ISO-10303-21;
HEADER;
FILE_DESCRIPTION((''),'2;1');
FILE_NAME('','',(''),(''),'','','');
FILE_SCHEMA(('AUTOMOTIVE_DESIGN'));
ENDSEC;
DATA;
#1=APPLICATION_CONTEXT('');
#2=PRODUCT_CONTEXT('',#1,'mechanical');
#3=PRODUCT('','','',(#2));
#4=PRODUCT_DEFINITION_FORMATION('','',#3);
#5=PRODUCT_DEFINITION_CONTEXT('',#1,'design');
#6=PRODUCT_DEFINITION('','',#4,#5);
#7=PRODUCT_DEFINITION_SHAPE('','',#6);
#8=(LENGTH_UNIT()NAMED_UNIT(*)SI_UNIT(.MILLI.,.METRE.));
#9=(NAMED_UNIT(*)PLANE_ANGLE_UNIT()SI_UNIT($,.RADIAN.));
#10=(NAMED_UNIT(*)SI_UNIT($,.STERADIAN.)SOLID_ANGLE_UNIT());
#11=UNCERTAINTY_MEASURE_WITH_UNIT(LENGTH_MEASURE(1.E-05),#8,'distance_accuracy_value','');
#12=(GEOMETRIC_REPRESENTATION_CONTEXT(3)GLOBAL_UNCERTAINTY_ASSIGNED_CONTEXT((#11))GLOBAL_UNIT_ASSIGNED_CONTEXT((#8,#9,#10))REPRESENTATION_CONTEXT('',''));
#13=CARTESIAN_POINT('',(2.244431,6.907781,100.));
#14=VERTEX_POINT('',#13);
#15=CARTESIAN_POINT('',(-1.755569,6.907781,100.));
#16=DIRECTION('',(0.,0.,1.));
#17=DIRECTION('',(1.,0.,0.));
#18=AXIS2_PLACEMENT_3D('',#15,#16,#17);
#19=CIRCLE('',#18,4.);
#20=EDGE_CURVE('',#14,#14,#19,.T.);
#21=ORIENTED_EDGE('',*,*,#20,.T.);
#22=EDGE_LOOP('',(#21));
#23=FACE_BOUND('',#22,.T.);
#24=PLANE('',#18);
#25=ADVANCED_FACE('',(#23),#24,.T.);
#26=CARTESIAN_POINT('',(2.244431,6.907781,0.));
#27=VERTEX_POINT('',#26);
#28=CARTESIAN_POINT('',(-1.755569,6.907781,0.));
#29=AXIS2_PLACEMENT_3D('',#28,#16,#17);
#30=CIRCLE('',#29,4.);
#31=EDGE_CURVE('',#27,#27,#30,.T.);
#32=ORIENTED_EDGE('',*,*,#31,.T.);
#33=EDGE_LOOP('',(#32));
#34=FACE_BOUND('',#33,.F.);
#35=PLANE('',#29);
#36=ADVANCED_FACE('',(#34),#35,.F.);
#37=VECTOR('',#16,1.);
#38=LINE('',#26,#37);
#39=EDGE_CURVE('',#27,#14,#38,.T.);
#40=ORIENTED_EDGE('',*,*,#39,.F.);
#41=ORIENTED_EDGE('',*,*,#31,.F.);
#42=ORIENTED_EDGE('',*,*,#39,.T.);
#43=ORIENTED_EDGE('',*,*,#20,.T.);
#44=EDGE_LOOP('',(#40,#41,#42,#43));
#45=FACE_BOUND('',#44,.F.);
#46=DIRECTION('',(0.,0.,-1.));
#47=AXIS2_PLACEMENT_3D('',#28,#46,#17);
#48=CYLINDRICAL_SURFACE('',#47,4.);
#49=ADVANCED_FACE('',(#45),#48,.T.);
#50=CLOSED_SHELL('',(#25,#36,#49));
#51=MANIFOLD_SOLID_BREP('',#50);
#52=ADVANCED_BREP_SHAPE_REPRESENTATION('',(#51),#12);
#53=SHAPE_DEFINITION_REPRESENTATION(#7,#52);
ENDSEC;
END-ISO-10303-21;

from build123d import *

# Parameters (mm, degrees)
SKETCH1_R           = 4
BOSS_EXTRUDE1_DEPTH = 100


with BuildPart() as part:
    # Sketch1 → Boss-Extrude1 (new body)
    with BuildSketch(Plane.XY):
        with Locations((-1.755568551, 6.907780603)):
            Circle(SKETCH1_R)
    extrude(amount=BOSS_EXTRUDE1_DEPTH)


solid = part.part
